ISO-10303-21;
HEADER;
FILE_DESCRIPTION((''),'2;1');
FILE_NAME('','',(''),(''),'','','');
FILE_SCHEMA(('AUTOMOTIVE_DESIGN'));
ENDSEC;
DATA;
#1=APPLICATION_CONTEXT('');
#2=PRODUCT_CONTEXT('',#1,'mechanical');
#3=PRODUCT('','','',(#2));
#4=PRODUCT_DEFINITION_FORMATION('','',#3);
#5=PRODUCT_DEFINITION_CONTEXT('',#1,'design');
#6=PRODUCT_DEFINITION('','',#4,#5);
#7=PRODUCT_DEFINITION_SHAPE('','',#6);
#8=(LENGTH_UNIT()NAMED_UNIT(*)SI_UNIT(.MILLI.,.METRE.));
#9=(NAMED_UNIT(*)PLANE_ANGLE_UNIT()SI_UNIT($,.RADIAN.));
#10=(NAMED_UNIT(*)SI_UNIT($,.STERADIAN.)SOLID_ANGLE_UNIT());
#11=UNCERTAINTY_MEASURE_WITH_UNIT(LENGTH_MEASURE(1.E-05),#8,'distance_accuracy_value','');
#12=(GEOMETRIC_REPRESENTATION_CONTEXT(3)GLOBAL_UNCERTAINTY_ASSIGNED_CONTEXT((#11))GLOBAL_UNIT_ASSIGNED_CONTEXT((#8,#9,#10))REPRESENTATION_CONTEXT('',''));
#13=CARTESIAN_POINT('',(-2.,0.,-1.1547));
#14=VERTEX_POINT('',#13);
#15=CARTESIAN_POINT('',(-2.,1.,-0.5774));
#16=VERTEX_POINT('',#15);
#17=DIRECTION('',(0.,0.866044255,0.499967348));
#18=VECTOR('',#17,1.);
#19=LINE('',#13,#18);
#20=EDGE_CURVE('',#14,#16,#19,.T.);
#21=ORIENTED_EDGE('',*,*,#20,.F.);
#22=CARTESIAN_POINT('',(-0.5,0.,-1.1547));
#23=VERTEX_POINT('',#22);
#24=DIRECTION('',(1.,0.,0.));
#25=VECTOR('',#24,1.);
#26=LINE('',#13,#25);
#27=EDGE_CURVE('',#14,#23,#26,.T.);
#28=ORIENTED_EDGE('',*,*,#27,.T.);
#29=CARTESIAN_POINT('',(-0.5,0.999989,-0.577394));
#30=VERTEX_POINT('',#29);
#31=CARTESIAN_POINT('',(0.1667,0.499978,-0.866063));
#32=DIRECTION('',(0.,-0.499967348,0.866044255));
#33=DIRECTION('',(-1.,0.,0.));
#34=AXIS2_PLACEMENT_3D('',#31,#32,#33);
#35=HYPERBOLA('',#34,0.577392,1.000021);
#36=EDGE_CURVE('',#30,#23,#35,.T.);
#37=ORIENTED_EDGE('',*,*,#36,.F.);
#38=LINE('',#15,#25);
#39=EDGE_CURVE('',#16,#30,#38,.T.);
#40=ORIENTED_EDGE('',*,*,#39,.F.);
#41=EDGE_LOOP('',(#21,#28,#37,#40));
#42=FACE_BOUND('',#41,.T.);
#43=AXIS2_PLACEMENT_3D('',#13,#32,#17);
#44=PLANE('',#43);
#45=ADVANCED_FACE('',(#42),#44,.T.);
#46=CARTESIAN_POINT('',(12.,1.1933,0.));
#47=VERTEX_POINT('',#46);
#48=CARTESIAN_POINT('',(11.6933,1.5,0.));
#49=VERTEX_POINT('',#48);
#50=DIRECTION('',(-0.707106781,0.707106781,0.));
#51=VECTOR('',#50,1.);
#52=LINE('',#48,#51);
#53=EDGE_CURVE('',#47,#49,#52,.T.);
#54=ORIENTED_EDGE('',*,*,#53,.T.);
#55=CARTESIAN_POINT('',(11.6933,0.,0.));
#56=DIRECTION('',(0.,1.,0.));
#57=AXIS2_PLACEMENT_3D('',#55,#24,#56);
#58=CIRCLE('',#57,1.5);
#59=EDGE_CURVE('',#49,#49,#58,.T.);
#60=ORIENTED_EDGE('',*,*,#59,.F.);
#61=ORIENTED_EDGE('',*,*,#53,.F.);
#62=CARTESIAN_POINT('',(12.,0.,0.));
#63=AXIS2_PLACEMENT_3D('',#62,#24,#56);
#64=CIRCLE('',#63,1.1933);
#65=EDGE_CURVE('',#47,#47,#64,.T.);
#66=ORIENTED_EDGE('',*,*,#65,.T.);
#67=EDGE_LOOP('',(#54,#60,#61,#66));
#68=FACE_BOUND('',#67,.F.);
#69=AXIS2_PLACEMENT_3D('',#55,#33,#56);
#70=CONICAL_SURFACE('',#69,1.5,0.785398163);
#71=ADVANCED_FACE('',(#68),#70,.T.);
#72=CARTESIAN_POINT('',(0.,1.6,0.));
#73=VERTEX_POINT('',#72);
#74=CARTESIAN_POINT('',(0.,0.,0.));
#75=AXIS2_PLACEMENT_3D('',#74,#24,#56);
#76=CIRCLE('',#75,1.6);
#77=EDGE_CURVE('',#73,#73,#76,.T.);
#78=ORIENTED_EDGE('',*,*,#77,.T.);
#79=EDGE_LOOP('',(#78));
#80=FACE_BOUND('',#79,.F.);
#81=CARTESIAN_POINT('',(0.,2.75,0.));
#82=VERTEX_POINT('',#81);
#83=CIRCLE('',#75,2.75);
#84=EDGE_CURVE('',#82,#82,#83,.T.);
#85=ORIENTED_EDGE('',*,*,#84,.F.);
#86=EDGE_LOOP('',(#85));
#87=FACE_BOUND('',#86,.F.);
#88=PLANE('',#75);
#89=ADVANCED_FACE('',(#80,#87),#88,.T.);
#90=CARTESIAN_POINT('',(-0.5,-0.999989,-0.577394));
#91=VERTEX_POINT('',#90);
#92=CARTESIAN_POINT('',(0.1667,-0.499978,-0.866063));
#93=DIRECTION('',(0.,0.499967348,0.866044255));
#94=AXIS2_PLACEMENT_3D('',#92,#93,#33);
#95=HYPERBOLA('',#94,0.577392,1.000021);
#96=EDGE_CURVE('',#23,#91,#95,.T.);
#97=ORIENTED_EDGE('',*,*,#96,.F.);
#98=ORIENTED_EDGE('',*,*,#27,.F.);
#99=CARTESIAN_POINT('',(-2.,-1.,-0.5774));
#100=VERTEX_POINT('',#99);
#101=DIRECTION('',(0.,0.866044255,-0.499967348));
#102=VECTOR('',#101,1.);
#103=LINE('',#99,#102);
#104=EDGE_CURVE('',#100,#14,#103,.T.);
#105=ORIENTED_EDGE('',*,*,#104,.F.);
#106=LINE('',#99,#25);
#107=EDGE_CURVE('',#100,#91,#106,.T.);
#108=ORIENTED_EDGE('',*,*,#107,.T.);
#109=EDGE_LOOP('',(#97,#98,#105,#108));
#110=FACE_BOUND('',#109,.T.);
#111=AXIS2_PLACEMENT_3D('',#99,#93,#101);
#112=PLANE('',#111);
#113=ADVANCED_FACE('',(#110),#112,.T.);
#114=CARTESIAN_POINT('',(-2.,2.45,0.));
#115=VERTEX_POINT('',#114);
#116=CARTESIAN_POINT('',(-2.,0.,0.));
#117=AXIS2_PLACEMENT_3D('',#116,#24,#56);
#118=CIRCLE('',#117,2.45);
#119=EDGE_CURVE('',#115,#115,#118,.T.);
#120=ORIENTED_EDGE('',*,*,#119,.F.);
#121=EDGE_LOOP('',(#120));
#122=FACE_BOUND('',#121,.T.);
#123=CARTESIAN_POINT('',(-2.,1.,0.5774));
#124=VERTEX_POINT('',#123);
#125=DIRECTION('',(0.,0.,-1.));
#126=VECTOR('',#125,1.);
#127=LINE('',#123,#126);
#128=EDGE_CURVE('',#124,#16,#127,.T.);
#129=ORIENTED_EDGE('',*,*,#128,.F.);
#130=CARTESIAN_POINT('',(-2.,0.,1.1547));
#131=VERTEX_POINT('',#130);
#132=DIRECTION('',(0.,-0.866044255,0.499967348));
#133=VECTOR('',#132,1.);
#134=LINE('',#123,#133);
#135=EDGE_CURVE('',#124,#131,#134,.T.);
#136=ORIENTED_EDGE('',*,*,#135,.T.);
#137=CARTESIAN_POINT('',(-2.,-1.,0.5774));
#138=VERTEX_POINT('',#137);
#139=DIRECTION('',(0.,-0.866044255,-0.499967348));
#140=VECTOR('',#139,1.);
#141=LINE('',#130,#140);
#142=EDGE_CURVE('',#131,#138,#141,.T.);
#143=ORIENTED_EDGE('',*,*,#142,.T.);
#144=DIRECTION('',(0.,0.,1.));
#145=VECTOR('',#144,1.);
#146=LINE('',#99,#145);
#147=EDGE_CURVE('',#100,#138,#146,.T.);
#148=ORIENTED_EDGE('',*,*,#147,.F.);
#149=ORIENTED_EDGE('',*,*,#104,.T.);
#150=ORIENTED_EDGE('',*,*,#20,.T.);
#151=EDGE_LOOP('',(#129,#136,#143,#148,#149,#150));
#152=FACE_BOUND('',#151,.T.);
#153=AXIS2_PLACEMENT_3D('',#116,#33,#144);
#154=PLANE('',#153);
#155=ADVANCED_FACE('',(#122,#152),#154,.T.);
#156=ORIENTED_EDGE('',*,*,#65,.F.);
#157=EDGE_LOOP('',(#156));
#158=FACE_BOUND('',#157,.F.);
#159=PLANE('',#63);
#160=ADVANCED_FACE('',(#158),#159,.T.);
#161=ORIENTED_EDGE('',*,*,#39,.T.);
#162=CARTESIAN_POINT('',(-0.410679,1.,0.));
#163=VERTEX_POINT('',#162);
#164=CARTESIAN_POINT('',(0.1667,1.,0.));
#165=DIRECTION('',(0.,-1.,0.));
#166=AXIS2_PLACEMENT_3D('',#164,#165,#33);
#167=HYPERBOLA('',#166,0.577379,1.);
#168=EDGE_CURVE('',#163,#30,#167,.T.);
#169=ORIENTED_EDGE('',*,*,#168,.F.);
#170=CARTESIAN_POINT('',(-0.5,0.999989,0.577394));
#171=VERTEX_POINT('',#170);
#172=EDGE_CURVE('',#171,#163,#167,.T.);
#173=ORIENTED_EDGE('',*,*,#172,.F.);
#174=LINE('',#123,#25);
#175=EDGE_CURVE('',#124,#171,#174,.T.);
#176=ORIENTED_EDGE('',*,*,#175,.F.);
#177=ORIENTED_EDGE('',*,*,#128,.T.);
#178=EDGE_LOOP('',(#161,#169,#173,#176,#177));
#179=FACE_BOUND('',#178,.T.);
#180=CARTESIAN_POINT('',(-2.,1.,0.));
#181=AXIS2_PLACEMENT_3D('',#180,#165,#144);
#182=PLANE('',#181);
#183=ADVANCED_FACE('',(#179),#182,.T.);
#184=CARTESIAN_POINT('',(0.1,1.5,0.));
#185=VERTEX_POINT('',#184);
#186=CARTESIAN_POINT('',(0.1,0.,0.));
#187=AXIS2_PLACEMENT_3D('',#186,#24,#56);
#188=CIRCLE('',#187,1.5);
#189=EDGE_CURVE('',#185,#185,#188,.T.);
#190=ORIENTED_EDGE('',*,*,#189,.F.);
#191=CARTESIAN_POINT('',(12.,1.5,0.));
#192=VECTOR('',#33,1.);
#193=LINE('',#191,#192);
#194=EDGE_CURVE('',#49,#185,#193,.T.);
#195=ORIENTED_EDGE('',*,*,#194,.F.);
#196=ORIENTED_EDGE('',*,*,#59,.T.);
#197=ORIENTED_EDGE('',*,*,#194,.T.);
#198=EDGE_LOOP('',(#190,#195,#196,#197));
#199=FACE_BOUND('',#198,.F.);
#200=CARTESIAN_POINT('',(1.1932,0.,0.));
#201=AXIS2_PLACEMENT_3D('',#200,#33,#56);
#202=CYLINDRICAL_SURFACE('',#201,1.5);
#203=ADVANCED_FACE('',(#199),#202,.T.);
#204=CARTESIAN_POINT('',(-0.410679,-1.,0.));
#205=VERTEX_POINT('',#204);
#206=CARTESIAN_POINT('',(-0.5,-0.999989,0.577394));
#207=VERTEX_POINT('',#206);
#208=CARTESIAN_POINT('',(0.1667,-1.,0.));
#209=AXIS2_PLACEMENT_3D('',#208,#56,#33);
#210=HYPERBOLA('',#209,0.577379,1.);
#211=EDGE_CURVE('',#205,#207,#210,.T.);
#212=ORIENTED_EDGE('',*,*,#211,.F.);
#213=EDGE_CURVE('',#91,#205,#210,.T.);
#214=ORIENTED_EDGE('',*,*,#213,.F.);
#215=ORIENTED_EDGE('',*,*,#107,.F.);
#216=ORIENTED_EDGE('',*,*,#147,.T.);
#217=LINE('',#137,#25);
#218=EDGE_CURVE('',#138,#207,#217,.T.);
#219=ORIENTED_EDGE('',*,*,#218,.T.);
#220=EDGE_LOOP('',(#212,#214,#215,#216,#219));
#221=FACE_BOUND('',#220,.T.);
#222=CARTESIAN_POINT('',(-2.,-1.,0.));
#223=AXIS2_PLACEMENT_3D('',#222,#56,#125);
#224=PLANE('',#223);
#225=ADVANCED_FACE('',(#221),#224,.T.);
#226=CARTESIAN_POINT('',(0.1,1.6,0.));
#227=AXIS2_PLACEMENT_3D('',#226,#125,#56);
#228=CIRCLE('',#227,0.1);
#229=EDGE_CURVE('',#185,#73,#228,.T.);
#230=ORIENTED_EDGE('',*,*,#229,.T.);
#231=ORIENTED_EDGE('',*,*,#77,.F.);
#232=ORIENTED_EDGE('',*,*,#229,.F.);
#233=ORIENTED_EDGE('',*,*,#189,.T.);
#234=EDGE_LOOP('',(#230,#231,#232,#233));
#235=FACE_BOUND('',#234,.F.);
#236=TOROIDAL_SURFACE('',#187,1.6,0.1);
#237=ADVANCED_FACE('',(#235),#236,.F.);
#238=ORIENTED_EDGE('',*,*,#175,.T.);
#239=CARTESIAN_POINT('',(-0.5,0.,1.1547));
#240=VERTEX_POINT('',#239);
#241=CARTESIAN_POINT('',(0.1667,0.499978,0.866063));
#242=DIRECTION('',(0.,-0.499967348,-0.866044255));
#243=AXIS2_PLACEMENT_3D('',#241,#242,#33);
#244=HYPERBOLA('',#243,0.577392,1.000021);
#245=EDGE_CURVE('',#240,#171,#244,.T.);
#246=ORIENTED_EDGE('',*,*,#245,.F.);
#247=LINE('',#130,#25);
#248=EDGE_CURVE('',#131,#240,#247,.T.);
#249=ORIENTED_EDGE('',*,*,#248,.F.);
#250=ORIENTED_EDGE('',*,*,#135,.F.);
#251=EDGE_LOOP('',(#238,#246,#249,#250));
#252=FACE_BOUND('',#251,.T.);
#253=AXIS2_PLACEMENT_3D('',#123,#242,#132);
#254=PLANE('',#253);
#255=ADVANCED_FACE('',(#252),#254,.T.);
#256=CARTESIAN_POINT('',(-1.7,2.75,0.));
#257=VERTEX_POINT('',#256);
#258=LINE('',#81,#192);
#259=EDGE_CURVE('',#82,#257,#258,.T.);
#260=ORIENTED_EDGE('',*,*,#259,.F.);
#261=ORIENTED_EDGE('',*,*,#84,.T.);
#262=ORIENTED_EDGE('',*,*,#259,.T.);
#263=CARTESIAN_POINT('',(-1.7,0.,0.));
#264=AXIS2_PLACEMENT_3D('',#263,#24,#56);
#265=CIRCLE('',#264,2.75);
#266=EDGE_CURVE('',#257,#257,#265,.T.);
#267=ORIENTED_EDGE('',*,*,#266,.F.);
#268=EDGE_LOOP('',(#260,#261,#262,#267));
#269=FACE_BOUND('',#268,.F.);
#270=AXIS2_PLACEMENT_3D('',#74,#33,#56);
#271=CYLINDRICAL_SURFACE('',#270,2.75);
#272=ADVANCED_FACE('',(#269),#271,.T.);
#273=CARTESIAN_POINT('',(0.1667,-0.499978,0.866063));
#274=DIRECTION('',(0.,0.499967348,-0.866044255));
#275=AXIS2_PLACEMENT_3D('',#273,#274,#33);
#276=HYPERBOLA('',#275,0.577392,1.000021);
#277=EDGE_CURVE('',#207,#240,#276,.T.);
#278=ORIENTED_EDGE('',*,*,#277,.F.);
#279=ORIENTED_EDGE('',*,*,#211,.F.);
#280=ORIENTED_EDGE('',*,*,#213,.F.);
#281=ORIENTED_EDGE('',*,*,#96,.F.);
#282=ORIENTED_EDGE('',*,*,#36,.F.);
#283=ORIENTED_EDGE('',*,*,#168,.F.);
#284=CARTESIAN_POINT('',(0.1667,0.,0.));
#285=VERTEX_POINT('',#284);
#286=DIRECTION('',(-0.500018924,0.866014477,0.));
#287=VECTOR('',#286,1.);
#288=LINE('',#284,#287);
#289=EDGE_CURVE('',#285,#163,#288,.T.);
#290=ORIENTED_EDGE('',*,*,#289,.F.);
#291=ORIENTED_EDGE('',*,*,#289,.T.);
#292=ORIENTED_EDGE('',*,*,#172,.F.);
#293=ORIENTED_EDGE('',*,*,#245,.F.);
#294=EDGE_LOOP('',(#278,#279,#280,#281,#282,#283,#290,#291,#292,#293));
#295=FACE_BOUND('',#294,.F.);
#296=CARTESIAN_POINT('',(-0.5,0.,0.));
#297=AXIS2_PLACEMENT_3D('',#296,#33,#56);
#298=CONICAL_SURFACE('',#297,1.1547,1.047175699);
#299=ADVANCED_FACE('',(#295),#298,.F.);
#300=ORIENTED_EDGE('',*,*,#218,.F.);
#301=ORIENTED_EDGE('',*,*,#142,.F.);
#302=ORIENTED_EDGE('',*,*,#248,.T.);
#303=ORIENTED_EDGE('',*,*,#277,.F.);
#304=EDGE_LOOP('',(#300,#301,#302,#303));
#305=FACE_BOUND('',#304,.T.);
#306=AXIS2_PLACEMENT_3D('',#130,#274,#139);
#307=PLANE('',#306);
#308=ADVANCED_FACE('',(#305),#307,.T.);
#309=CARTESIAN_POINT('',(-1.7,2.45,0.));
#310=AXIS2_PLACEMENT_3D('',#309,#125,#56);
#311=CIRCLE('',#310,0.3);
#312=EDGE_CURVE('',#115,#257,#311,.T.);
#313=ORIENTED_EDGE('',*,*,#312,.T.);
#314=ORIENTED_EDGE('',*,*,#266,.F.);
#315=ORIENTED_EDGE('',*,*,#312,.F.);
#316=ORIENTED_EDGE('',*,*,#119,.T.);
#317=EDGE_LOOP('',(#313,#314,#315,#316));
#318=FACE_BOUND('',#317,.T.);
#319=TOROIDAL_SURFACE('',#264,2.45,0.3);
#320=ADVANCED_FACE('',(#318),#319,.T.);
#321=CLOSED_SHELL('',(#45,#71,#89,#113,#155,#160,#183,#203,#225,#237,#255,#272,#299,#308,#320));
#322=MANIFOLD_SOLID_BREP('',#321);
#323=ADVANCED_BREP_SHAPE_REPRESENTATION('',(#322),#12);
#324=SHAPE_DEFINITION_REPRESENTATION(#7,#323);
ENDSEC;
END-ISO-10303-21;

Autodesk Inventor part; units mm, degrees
ref_plane "YZ Plane" through (0, 0, 0) normal (1, 0, 0) x (0, 1, 0)
ref_plane "XZ Plane" through (0, 0, 0) normal (0, 1, 0) x (-1, 0, 0)
sketch "Skizze1" plane through (0, 0, 0) normal (0, 0, 1) x (1, 0, 0)
  line L0 (0.1667, 0) -> (12, 0)
  line L1 (12, 0) -> (12, 1.5)
  line L2 (12, 1.5) -> (1.5, 1.5)
  line L3 (1.5, 1.5) -> (1.1932, 1.5)
  line L4 (1.1932, 1.5) -> (0, 1.5)
  line L5 (0, 1.5) -> (0, 2.75)
  line L6 (0, 2.75) -> (-2, 2.75)
  line L7 (-2, 2.75) -> (-2, 1.1547)
  line L8 (-2, 1.1547) -> (-0.5, 1.1547)
  line L9 (-0.5, 1.1547) -> (0.1667, 0)
  line L10 (-4.8, 0) -> (14.8, 0) projected
  line L11 (0, -0.55) -> (0, 3.3) projected
  line L12 (1.5, 1.5) -> (0, 1.5) construction
  dimension "d1" = 10.5
  dimension "d2" = 0.3068
  dimension "d3" = 2
  dimension "d4" = 1.5
  dimension "d5" = 60
  dimension "d6" = 3
  dimension "d7" = 3
  dimension "d8" = 2.3094
  dimension "d9" = 5.5
  dimension "d26" = 12
revolve "Körper" add sketch "Skizze1" angle 360 about axis through (0.1667, 0, 0) along (1, 0, 0) contours L9 L11 L4 L3 L2 L1 L0 | L9 L8 L7 L6 L5 L11
sketch "Skizze2" plane through (-2, 0, 0) normal (-1, 0, 0) x (0, 0, 1)
  circle A0 centre (0, 0) radius 1.1547 projected
  line L0 (0, -3.85) -> (0, 3.85) projected
  line L1 (-3.85, 0) -> (3.85, 0) projected
  line L2 (1.1547, 0) -> (0.5774, -1)
  line L3 (0.5774, -1) -> (-0.5774, -1)
  line L4 (-0.5774, -1) -> (-1.1547, 0)
  line L5 (-1.1547, 0) -> (-0.5774, 1)
  line L6 (-0.5774, 1) -> (0.5774, 1)
  line L7 (0.5774, 1) -> (1.1547, 0)
  point P0 (0, 0)
extrude "Loch" add sketch "Skizze2" against normal up to next contours L7 A0 | A0 L2 | L6 L0 A0 | A0 L0 L3 | L0 L6 A0 | A0 L3 L0 | L4 A0 | A0 L5
fillet "Rundung1" radius 0.3 1 edges at (-2, -2.75, 0)
thread "Gewinde" size "M3x0.5" class "6g" standard "ISO Metric profile" length 10.5
chamfer "Fase1" distance 0.3067 distance2 0.3067 1 edges at (12, -1.5, 0) measured on face at (12, -0.6587, -0.1791)
ref_plane "Work Plane1" through (29, 0, 0) normal (0, -1, 0) x (1, 0, 0)
fillet "Fillet2" radius 0.1 1 edges at (0, -1.5, 0)
equation "\"d1\" = GEL"
equation "\"d3\" = KOH"
equation "\"d4\" = INTI"
equation "\"d6\" = GD"
equation "\"d7\" = BDM"
equation "\"d8\" = 1.1547 * SW"
equation "\"d9\" = KOD"
equation "\"d26\" = NLG"
equation "\"d30\" = R"
equation "\"d17\" = RR"
equation "\"d13\" = GEL"
equation "\"d15\" = -0.5 * SPD + 0.5 * GD"
equation "\"d16\" = GUL"
equation "\"GD\" = NND"
equation "\"NLG\" = 12"
equation "\"GEL\" = 10.5"
equation "\"KOD\" = 5.5"
equation "\"KOH\" = 2"
equation "\"INTI\" = 1.5"
equation "\"GAL\" = 0.61345 * PTC"
equation "\"GUL\" = 0.61345 * PTC"
equation "\"BDM\" = NND"
equation "\"SW\" = 2"
equation "\"RR\" = 0.3"
equation "\"SPD\" = NND - 1.2269 * PTC"
equation "\"R\" = 0.1"
equation "\"TOA\" = 30deg"
equation "\"GD1\" = THREADDIA - 1.2269 * PTC"
equation "\"THREADDIA\" = 3"
equation "\"FAWI\" = 45deg"
equation "\"ANG\" = 120deg"
equation "\"PTC\" = 0.5"
equation "\"NND\" = 3"
equation "\"E0\" = 1.155 * SW"
properties part number "DIN 7984 - M3 x 12" material "Stahl, weich"
